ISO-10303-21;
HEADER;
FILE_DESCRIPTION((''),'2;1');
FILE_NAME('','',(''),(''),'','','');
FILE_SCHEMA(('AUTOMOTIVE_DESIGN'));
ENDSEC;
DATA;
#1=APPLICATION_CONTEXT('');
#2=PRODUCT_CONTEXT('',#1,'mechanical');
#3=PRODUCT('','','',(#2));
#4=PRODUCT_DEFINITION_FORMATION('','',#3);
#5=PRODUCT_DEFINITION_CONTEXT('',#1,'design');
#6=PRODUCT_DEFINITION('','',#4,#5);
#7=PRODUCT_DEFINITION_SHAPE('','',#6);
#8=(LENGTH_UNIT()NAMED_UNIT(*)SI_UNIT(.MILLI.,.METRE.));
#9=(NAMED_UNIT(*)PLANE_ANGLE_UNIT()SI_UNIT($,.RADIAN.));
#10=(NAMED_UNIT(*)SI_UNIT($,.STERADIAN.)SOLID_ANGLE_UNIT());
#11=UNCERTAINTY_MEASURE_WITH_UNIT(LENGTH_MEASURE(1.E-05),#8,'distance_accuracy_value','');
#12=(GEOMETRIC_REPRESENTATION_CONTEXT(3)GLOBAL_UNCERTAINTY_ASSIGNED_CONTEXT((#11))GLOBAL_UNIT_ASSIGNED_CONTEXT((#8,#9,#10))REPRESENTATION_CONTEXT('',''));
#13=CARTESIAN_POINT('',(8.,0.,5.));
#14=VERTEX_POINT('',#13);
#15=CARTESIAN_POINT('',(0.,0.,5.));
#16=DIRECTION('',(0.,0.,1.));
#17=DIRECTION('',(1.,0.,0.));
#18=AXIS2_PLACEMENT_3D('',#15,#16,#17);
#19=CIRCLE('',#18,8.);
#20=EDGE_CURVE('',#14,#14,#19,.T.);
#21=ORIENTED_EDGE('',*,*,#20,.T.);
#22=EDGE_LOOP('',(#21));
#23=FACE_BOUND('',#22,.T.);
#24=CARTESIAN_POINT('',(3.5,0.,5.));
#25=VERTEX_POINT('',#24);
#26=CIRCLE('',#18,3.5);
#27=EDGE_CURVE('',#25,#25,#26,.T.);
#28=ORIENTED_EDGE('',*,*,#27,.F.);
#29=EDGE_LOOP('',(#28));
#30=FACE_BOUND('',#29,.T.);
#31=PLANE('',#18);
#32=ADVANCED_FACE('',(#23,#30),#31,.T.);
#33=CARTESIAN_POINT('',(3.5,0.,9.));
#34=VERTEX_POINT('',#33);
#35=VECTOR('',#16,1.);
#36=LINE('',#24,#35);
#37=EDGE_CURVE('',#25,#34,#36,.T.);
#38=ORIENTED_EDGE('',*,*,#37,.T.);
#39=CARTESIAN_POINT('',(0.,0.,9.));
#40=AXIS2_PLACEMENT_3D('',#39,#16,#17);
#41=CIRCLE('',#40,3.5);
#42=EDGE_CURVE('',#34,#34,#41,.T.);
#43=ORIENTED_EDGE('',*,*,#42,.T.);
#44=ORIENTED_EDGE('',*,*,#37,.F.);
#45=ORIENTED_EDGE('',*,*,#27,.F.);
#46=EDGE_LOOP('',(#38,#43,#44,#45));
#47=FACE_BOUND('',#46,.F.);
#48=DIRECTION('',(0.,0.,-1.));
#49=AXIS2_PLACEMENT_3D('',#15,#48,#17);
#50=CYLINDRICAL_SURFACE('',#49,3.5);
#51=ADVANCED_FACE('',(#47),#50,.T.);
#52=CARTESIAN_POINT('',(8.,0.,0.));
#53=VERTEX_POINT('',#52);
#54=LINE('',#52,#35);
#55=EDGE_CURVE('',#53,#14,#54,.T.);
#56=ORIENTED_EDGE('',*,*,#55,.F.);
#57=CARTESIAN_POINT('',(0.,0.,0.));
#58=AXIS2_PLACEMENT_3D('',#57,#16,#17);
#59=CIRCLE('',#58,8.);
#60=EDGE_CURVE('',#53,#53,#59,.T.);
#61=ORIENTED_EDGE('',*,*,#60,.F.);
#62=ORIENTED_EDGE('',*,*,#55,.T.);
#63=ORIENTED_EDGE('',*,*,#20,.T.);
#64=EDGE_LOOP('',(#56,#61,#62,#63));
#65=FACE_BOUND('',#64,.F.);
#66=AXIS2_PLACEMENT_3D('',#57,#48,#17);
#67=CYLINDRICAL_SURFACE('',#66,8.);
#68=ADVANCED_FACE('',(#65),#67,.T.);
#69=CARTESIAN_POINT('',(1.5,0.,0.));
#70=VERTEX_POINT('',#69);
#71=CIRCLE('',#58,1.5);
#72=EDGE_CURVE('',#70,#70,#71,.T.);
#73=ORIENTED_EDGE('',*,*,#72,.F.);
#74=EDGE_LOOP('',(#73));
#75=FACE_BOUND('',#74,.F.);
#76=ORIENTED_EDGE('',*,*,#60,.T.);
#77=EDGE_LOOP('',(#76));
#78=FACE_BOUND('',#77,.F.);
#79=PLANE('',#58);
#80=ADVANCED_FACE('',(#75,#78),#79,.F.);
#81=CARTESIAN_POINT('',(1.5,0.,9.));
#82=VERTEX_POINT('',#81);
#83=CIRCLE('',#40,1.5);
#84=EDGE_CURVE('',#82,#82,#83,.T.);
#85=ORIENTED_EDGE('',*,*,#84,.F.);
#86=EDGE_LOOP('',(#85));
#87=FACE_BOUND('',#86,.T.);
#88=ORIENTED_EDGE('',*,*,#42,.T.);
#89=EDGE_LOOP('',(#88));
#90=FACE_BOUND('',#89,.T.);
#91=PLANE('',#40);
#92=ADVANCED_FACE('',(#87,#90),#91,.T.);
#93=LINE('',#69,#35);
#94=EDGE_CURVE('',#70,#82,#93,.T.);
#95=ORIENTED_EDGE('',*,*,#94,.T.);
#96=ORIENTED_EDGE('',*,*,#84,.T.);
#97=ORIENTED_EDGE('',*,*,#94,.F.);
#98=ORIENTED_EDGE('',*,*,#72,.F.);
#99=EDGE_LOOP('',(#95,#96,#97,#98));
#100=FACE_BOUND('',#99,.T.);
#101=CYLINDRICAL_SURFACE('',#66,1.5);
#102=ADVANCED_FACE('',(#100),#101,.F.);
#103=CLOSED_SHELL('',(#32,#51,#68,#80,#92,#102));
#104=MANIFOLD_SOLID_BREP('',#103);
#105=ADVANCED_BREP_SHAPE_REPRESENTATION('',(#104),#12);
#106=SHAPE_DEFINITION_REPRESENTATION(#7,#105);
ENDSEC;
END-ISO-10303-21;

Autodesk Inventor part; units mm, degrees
ref_plane "YZ Plane" through (0, 0, 0) normal (1, 0, 0) x (0, 1, 0)
ref_plane "XZ Plane" through (0, 0, 0) normal (0, 1, 0) x (-1, 0, 0)
ref_plane "XY Plane" through (0, 0, 0) normal (0, 0, 1) x (1, 0, 0)
sketch "Sketch1" plane through (0, 0, 0) normal (0, 0, 1) x (1, 0, 0)
  circle A0 centre (0, 0) radius 1.5
  circle A1 centre (0, 0) radius 8
  dimension "d0" = 3
  dimension "d1" = 16
extrude "Extrusion1" add sketch "Sketch1" along normal blind 5
sketch "Sketch2" plane through (0, 0, 5) normal (0, 0, 1) x (1, 0, 0)
  circle A0 centre (0, 0) radius 8 projected
  circle A1 centre (0, 0) radius 1.5 projected
  circle A2 centre (0, 0) radius 3.5
  dimension "d4" = 7
extrude "Extrusion2" add sketch "Sketch2" along normal blind 4 contours A2
properties part number "Motor Drive Gear"
